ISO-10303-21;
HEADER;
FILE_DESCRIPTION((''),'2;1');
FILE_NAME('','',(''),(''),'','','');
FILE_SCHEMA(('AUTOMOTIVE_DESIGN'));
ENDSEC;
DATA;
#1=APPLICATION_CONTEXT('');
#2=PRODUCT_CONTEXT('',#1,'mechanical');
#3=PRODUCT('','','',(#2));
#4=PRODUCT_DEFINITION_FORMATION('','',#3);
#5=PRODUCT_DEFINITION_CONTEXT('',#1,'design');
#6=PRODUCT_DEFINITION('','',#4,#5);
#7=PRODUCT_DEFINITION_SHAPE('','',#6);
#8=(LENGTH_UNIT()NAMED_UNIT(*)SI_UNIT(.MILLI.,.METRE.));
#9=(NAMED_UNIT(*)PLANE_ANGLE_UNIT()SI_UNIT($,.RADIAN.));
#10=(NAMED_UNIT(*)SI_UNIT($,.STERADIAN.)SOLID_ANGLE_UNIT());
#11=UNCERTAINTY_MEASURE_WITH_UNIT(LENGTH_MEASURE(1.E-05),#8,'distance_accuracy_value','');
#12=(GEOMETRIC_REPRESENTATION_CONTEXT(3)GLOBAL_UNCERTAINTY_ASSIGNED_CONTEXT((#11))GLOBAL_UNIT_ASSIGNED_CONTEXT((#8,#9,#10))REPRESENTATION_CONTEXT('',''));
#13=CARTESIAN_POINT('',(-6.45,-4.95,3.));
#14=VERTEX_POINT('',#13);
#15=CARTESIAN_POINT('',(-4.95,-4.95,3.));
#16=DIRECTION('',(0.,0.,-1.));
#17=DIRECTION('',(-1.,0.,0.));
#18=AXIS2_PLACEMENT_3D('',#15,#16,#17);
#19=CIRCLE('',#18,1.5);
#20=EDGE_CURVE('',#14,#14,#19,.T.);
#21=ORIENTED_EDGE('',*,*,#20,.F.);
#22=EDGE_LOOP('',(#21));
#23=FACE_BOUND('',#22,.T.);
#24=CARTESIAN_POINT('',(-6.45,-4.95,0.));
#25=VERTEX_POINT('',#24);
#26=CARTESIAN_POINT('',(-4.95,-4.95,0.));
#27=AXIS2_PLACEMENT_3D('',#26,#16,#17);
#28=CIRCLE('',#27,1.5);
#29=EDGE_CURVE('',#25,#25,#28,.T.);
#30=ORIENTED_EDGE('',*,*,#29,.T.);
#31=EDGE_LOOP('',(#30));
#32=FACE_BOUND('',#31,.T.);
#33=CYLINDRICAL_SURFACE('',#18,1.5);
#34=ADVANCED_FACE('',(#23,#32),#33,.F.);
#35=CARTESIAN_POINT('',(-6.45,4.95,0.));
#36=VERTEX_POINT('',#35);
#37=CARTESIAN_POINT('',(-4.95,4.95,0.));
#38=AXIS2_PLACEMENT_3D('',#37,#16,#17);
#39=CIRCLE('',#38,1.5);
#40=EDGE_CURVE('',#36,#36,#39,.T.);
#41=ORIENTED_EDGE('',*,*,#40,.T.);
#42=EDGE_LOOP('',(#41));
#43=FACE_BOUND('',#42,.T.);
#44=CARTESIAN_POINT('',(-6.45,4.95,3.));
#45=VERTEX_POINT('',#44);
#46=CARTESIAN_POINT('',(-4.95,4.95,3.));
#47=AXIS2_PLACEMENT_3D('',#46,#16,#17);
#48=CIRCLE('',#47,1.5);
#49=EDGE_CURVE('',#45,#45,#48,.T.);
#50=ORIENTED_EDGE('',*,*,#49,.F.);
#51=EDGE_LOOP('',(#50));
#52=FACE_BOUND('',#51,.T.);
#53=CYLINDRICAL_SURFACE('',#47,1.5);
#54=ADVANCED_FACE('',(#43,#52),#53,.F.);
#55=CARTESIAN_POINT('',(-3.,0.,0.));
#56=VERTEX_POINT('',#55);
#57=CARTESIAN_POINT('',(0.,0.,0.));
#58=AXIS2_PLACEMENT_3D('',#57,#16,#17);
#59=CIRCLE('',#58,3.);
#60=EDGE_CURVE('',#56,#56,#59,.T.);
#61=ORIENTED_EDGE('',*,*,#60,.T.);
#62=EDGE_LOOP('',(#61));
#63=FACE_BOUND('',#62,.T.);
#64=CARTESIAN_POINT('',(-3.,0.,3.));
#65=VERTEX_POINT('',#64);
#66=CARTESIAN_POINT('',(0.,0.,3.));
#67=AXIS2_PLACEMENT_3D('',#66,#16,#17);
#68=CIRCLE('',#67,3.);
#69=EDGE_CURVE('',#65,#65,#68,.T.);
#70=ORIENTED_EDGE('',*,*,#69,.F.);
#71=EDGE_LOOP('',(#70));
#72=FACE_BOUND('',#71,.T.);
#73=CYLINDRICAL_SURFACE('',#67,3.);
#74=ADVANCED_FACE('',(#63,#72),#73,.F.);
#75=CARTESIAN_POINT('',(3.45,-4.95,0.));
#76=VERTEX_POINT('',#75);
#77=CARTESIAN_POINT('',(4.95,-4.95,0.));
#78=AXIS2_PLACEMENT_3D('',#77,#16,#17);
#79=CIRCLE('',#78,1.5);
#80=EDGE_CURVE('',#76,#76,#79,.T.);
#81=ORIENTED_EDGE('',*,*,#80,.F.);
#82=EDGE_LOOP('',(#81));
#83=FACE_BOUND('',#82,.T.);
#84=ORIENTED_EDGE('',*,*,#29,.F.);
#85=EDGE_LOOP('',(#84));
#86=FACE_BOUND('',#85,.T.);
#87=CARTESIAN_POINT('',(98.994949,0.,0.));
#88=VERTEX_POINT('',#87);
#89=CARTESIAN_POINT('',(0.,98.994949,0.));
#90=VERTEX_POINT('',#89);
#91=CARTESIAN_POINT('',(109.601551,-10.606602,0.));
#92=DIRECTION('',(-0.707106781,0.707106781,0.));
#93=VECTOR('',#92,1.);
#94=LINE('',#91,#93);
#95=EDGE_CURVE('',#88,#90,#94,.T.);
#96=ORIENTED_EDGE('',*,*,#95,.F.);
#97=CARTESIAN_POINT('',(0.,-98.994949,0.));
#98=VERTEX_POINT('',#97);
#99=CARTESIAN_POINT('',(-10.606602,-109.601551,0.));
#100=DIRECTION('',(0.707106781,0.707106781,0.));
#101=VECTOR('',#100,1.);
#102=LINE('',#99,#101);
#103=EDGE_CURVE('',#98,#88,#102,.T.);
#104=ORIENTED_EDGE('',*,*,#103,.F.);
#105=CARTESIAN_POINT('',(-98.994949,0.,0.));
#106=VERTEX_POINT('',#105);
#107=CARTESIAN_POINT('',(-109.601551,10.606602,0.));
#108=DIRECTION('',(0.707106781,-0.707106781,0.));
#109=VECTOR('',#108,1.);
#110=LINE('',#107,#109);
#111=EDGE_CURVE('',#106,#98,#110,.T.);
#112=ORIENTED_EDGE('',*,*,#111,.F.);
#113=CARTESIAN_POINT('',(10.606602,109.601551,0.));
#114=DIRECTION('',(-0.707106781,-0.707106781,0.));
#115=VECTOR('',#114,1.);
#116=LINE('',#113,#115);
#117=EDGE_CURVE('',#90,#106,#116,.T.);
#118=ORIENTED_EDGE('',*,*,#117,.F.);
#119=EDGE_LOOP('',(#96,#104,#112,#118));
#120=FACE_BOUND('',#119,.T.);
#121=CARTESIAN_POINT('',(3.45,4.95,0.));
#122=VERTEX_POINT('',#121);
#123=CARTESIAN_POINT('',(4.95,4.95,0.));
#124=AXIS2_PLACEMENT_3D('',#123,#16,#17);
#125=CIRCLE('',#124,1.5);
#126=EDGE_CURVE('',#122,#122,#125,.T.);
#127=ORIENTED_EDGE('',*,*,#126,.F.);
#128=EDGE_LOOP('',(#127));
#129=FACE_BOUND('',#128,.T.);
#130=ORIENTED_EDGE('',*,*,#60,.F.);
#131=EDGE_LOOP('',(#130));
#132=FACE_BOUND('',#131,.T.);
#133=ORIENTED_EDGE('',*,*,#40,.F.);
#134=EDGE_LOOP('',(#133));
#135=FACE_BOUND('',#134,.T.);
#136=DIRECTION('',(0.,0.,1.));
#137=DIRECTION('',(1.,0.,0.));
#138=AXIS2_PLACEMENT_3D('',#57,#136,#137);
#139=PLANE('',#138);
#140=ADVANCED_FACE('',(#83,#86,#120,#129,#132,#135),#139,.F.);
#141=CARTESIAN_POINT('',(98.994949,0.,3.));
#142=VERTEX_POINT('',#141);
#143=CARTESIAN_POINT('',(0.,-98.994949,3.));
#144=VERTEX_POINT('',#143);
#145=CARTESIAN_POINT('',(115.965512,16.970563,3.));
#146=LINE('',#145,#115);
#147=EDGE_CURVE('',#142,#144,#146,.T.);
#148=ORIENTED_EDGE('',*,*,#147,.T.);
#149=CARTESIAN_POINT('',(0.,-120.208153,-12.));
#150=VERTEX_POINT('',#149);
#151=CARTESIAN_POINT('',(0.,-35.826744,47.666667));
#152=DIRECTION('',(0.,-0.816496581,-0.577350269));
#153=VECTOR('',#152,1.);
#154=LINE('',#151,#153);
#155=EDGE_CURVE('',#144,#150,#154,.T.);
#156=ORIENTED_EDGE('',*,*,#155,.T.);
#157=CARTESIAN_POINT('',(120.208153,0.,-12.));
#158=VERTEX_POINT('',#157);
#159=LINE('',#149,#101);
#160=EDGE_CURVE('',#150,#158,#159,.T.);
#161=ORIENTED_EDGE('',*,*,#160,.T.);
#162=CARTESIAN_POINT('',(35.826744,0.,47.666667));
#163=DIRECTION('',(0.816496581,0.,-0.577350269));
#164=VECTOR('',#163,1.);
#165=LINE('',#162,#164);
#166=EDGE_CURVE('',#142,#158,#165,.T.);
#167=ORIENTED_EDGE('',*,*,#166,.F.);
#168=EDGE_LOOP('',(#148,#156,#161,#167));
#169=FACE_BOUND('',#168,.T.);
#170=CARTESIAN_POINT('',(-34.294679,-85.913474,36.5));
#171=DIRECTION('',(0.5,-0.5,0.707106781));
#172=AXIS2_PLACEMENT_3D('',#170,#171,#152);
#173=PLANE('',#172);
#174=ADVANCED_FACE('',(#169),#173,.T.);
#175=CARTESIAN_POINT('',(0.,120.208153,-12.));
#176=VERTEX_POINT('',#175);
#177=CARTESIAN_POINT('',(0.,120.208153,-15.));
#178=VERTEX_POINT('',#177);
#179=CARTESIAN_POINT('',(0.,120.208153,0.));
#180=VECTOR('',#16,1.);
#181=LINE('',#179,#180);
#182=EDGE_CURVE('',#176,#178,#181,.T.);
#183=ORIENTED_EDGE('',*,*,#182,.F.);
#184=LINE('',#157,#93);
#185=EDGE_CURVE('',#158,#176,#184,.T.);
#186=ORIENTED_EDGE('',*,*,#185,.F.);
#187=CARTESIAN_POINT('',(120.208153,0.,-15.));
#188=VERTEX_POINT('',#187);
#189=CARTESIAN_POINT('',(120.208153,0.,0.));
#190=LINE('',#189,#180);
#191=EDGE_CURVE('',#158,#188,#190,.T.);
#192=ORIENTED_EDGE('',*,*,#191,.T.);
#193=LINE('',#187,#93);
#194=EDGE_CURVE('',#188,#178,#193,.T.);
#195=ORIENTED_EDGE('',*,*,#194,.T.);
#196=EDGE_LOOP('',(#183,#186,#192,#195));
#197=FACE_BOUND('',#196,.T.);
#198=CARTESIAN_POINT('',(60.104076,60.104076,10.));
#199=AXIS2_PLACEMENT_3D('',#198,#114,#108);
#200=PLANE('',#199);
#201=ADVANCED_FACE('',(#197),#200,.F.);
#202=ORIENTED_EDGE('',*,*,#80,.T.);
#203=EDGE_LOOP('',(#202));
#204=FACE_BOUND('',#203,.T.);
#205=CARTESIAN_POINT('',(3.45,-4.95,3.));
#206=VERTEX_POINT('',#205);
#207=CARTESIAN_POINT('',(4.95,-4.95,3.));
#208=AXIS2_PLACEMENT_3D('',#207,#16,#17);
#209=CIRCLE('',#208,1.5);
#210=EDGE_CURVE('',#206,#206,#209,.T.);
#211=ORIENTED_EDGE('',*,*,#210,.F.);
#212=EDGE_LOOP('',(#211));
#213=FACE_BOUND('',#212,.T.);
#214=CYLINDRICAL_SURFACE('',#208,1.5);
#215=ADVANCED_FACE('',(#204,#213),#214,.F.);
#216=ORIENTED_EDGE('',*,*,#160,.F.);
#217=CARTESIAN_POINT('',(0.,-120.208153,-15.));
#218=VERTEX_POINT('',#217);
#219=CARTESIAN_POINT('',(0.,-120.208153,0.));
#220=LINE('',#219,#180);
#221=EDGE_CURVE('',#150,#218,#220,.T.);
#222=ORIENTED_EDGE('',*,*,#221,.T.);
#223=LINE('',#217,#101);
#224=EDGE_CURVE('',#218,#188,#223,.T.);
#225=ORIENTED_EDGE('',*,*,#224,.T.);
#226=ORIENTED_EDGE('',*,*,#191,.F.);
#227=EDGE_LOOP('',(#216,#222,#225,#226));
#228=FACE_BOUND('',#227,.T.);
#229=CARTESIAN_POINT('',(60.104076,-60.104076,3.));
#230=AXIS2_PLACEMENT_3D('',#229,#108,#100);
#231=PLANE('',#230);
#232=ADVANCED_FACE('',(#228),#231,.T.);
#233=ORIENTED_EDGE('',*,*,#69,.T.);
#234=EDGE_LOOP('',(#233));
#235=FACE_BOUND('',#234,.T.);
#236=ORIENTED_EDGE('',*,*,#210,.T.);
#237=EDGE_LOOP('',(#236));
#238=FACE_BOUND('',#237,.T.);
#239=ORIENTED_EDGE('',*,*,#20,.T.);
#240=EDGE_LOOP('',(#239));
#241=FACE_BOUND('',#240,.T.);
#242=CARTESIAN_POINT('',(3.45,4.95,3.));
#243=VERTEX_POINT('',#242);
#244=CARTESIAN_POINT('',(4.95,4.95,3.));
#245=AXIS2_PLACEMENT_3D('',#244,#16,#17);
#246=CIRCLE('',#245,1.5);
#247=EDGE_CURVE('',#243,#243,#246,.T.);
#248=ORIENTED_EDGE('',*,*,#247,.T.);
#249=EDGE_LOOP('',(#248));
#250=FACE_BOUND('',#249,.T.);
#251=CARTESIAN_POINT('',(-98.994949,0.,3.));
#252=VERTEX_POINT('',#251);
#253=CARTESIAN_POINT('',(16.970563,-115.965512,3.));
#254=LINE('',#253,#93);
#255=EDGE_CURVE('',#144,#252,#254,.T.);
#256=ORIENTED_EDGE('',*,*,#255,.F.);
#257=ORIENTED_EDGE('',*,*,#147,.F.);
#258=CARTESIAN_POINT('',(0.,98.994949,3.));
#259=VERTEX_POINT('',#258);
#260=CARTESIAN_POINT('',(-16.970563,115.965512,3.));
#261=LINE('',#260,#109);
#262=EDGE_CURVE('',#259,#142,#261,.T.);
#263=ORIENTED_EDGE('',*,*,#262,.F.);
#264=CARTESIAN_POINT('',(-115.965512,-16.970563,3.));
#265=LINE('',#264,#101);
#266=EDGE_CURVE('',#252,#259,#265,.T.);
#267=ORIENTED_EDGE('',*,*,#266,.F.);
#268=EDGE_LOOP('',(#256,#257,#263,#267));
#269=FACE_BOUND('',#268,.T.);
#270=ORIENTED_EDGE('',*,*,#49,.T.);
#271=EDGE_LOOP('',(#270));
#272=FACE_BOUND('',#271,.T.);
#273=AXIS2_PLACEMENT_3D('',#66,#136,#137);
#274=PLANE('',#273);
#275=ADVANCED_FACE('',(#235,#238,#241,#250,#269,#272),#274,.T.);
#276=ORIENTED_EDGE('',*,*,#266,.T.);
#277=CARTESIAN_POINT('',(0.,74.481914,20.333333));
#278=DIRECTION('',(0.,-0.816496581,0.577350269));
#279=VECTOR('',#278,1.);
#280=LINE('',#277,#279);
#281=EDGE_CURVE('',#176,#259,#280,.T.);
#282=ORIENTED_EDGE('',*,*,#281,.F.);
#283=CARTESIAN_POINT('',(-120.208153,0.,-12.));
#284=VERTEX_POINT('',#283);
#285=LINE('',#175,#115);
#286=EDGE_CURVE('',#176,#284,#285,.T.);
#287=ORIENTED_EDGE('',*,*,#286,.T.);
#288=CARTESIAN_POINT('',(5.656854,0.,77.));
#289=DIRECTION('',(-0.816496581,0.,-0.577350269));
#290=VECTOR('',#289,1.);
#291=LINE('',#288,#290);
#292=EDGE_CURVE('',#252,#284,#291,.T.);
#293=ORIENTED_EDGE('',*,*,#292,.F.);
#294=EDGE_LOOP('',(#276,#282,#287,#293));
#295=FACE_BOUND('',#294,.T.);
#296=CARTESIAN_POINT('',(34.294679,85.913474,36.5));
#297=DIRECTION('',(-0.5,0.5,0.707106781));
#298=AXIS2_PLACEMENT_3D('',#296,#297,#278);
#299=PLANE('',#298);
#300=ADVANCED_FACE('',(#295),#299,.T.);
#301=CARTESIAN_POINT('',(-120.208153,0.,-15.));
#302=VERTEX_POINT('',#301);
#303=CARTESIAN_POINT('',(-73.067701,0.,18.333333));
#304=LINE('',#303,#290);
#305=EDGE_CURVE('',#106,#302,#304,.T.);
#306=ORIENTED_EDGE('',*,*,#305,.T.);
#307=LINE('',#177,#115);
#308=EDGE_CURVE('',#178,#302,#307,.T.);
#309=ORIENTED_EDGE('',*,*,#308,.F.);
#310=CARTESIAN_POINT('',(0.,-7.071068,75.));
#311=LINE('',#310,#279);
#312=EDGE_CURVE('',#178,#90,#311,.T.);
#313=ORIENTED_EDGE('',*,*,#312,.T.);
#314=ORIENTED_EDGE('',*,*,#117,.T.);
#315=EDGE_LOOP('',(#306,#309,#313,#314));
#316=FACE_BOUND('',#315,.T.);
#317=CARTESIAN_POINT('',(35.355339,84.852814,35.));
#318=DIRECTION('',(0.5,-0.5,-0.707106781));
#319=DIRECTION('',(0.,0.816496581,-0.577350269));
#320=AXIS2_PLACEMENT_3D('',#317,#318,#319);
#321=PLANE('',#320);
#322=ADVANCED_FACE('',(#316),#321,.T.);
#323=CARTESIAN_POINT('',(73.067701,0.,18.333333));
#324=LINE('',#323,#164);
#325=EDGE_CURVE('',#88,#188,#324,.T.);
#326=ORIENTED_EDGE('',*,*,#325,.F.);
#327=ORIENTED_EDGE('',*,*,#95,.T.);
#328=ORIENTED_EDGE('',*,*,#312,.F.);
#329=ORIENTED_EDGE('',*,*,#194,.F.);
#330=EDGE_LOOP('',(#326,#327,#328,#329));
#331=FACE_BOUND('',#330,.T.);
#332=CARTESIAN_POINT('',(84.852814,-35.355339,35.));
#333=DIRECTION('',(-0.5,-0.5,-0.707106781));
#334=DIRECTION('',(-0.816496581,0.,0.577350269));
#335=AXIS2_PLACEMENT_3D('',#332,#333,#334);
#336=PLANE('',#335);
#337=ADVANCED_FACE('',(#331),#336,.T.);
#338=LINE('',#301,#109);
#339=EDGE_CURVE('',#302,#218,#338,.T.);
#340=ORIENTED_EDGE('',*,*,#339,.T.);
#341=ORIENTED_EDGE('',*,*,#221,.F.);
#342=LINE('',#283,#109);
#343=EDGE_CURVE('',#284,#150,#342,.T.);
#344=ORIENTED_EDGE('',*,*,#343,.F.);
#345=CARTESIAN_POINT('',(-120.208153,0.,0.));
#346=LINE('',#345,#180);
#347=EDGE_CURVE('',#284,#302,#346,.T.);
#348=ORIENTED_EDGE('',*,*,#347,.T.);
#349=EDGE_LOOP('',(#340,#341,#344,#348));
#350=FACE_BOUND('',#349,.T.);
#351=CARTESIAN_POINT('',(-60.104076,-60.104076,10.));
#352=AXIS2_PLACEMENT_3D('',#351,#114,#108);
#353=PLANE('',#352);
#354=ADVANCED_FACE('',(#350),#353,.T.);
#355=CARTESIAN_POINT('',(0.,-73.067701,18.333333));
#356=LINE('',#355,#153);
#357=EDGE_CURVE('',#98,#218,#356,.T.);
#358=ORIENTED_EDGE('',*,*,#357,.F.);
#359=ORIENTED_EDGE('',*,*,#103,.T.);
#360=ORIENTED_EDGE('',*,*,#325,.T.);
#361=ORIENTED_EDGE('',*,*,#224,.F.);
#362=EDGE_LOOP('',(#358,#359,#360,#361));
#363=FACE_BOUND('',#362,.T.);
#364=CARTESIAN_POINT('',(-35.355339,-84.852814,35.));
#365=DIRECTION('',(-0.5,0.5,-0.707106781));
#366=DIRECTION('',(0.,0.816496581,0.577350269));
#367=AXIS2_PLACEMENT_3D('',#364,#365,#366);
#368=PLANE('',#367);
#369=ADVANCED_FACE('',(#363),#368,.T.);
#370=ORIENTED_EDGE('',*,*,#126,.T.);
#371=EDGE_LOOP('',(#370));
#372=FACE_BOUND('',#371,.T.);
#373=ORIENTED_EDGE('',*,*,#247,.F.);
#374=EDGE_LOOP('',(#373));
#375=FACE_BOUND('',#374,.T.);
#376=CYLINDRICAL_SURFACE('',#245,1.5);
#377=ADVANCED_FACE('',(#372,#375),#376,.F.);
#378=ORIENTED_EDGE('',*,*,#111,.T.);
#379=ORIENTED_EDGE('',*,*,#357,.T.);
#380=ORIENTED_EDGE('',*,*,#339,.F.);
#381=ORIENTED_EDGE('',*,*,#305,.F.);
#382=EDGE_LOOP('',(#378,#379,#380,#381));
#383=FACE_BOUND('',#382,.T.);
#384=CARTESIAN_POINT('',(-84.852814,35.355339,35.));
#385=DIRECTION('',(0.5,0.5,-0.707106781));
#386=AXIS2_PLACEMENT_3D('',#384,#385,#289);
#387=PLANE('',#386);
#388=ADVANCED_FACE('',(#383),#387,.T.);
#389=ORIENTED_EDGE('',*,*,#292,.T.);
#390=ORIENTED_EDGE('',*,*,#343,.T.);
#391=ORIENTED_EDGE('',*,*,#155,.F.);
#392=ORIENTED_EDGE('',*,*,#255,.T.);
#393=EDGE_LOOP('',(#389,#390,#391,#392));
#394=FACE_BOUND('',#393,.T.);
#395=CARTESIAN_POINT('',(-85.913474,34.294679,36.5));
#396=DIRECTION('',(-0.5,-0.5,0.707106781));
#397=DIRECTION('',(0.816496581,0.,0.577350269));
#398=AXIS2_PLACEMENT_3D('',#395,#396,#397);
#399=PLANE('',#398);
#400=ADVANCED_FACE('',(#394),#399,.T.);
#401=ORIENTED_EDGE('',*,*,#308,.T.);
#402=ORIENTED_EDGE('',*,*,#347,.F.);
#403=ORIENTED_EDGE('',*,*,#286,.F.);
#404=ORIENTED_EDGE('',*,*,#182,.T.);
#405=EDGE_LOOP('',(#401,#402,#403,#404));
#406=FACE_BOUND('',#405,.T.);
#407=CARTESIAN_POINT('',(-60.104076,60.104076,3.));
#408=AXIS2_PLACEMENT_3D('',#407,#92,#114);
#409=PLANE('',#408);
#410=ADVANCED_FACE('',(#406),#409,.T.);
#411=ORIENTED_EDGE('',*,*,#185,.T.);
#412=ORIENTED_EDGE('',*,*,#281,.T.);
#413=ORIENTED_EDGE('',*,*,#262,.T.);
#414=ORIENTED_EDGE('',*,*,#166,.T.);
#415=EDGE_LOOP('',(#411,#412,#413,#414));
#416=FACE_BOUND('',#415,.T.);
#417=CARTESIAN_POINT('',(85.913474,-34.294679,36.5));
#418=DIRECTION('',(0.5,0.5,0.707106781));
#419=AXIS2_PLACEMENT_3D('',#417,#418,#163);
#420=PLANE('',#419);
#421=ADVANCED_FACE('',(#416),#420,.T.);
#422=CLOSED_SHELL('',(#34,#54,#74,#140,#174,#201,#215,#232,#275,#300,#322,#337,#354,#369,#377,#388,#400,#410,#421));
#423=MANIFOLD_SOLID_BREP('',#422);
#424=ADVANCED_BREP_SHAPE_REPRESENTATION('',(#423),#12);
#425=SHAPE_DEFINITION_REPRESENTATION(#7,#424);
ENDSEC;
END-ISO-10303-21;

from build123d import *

# Parameters (mm, degrees)
SKETCH_1_W               = 170
SKETCH_1_H               = 170
EXTRUDE_1_DEPTH          = 3
SKETCH_3_R               = 3
SKETCH_3_R_2             = 1.5
CUT_EXTRUDE_1_DEPTH      = 121.245582039
FILLET_1_R               = 2
CUT_EXTRUDE_START        = -10
CUT_EXTRUDE_2_DEPTH      = 10
CUT_EXTRUDE_START_2      = -3
CUT_EXTRUDE_3_DEPTH      = 3
EXTRUDE_4_DEPTH          = 3
EXTRUDE_5_DEPTH          = 170
PATTERN_CIRCULAR_1_COUNT = 4
CUT_EXTRUDE_4_DEPTH      = 179
PATTERN_CIRCULAR_2_COUNT = 4


with BuildPart() as part:
    # 草图1 → 凸台-拉伸1 (new body)
    with BuildSketch(Plane.XY):
        Rectangle(SKETCH_1_W, SKETCH_1_H)
    extrude(amount=EXTRUDE_1_DEPTH)

    # 草图3 → 切除-拉伸1 (cut, through all)
    with BuildSketch(Plane(origin=(0, 0, 0), x_dir=(-1, 0, 0), z_dir=(0, 0, -1))):
        Circle(SKETCH_3_R)
        with Locations((4.95, 4.95)):
            Circle(SKETCH_3_R_2)
        with Locations((-4.95, 4.95)):
            Circle(SKETCH_3_R_2)
        with Locations((-4.95, -4.95)):
            Circle(SKETCH_3_R_2)
        with Locations((4.95, -4.95)):
            Circle(SKETCH_3_R_2)
    extrude(amount=-CUT_EXTRUDE_1_DEPTH, mode=Mode.SUBTRACT)

    # 圆角1
    fillet_1_edges = [part.edges().sort_by_distance(p)[0] for p in [
        (-85, 85, 1.5),
        (85, 85, 1.5),
        (85, -85, 1.5),
        (-85, -85, 1.5),
    ]]
    fillet(fillet_1_edges, radius=FILLET_1_R)

    # 草图4 → 切除-拉伸2 (cut)
    with BuildSketch(Plane(origin=(0, 0, 0), x_dir=(-1, 0, 0), z_dir=(0, 0, -1)).offset(CUT_EXTRUDE_START)):
        with BuildLine():
            Line((-85, 35.208152802), (-60.104076401, 60.104076401))
            Line((-60.104076401, 60.104076401), (-35.208152802, 85))
            Line((-35.208152802, 85), (-83, 85))
            ThreePointArc((-83, 85), (-84.414213562, 84.414213562), (-85, 83))
            Line((-85, 83), (-85, 35.208152802))
        make_face()
        with BuildLine():
            Line((85, -35.208152802), (60.104076401, -60.104076401))
            Line((60.104076401, -60.104076401), (35.208152802, -85))
            Line((35.208152802, -85), (83, -85))
            ThreePointArc((83, -85), (84.414213562, -84.414213562), (85, -83))
            Line((85, -83), (85, -35.208152802))
        make_face()
    extrude(amount=CUT_EXTRUDE_2_DEPTH, mode=Mode.SUBTRACT)

    # 草图6 → 切除-拉伸3 (cut)
    with BuildSketch(Plane(origin=(0, 0, 0), x_dir=(-1, 0, 0), z_dir=(0, 0, -1)).offset(CUT_EXTRUDE_START_2)):
        with BuildLine():
            Line((-35.208152802, -85), (-60.104076401, -60.104076401))
            Line((-60.104076401, -60.104076401), (-85, -35.208152802))
            Line((-85, -35.208152802), (-85, -83))
            ThreePointArc((-85, -83), (-84.414213562, -84.414213562), (-83, -85))
            Line((-83, -85), (-35.208152802, -85))
        make_face()
        with BuildLine():
            Line((35.208152802, 85), (60.104076401, 60.104076401))
            Line((60.104076401, 60.104076401), (85, 35.208152802))
            Line((85, 35.208152802), (85, 83))
            ThreePointArc((85, 83), (84.414213562, 84.414213562), (83, 85))
            Line((83, 85), (35.208152802, 85))
        make_face()
    extrude(amount=CUT_EXTRUDE_3_DEPTH, mode=Mode.SUBTRACT)

    # 草图7 → 凸台-拉伸4 (add)
    with BuildSketch(Plane(origin=(0, 0, 0), x_dir=(-1, 0, 0), z_dir=(0, 0, -1))):
        Polygon((-85, 35.208152802), (-120.208152802, 0), (-85, -35.208152802), align=None)
        Polygon((0, 120.208152802), (-35.208152802, 85), (35.208152802, 85), align=None)
        Polygon((35.208152802, -85), (-35.208152802, -85), (0, -120.208152802), align=None)
        Polygon((120.208152802, 0), (85, 35.208152802), (85, -35.208152802), align=None)
    extrude(amount=-EXTRUDE_4_DEPTH)

    # 草图8 → 凸台-拉伸5 (add)
    with BuildSketch(Plane(origin=(-60.104076401, 60.104076401, 0), x_dir=(0, 0, 1), z_dir=(-0.7071067811865438, 0.7071067811865513, 0))):
        Polygon((0, 73), (-12, 85), (-15, 85), (0, 70), align=None)
    extrude_5 = extrude(amount=-EXTRUDE_5_DEPTH)

    # 阵列(圆周)1: 凸台-拉伸5 ×4 about axis
    pattern_circular_1_axis = Axis((0, 0, 0), (0, 0, 1))
    for i in range(1, PATTERN_CIRCULAR_1_COUNT):
        add(extrude_5.rotate(pattern_circular_1_axis, i * 360 / PATTERN_CIRCULAR_1_COUNT))

    # 草图9 → 切除-拉伸4 (cut)
    with BuildSketch(Plane(origin=(60.104076401, 60.104076401, 0), x_dir=(0, 0, -1), z_dir=(0.7071067811865486, 0.7071067811865465, 0))):
        Polygon((-3, 85), (12, 85), (-3, 70), align=None)
    cut_extrude_4 = extrude(amount=-CUT_EXTRUDE_4_DEPTH, mode=Mode.SUBTRACT)

    # 阵列(圆周)2: 切除-拉伸4 ×4 about axis
    pattern_circular_2_axis = Axis((0, 0, 0), (0, 0, -1))
    for i in range(1, PATTERN_CIRCULAR_2_COUNT):
        add(cut_extrude_4.rotate(pattern_circular_2_axis, i * 360 / PATTERN_CIRCULAR_2_COUNT), mode=Mode.SUBTRACT)


solid = part.part
